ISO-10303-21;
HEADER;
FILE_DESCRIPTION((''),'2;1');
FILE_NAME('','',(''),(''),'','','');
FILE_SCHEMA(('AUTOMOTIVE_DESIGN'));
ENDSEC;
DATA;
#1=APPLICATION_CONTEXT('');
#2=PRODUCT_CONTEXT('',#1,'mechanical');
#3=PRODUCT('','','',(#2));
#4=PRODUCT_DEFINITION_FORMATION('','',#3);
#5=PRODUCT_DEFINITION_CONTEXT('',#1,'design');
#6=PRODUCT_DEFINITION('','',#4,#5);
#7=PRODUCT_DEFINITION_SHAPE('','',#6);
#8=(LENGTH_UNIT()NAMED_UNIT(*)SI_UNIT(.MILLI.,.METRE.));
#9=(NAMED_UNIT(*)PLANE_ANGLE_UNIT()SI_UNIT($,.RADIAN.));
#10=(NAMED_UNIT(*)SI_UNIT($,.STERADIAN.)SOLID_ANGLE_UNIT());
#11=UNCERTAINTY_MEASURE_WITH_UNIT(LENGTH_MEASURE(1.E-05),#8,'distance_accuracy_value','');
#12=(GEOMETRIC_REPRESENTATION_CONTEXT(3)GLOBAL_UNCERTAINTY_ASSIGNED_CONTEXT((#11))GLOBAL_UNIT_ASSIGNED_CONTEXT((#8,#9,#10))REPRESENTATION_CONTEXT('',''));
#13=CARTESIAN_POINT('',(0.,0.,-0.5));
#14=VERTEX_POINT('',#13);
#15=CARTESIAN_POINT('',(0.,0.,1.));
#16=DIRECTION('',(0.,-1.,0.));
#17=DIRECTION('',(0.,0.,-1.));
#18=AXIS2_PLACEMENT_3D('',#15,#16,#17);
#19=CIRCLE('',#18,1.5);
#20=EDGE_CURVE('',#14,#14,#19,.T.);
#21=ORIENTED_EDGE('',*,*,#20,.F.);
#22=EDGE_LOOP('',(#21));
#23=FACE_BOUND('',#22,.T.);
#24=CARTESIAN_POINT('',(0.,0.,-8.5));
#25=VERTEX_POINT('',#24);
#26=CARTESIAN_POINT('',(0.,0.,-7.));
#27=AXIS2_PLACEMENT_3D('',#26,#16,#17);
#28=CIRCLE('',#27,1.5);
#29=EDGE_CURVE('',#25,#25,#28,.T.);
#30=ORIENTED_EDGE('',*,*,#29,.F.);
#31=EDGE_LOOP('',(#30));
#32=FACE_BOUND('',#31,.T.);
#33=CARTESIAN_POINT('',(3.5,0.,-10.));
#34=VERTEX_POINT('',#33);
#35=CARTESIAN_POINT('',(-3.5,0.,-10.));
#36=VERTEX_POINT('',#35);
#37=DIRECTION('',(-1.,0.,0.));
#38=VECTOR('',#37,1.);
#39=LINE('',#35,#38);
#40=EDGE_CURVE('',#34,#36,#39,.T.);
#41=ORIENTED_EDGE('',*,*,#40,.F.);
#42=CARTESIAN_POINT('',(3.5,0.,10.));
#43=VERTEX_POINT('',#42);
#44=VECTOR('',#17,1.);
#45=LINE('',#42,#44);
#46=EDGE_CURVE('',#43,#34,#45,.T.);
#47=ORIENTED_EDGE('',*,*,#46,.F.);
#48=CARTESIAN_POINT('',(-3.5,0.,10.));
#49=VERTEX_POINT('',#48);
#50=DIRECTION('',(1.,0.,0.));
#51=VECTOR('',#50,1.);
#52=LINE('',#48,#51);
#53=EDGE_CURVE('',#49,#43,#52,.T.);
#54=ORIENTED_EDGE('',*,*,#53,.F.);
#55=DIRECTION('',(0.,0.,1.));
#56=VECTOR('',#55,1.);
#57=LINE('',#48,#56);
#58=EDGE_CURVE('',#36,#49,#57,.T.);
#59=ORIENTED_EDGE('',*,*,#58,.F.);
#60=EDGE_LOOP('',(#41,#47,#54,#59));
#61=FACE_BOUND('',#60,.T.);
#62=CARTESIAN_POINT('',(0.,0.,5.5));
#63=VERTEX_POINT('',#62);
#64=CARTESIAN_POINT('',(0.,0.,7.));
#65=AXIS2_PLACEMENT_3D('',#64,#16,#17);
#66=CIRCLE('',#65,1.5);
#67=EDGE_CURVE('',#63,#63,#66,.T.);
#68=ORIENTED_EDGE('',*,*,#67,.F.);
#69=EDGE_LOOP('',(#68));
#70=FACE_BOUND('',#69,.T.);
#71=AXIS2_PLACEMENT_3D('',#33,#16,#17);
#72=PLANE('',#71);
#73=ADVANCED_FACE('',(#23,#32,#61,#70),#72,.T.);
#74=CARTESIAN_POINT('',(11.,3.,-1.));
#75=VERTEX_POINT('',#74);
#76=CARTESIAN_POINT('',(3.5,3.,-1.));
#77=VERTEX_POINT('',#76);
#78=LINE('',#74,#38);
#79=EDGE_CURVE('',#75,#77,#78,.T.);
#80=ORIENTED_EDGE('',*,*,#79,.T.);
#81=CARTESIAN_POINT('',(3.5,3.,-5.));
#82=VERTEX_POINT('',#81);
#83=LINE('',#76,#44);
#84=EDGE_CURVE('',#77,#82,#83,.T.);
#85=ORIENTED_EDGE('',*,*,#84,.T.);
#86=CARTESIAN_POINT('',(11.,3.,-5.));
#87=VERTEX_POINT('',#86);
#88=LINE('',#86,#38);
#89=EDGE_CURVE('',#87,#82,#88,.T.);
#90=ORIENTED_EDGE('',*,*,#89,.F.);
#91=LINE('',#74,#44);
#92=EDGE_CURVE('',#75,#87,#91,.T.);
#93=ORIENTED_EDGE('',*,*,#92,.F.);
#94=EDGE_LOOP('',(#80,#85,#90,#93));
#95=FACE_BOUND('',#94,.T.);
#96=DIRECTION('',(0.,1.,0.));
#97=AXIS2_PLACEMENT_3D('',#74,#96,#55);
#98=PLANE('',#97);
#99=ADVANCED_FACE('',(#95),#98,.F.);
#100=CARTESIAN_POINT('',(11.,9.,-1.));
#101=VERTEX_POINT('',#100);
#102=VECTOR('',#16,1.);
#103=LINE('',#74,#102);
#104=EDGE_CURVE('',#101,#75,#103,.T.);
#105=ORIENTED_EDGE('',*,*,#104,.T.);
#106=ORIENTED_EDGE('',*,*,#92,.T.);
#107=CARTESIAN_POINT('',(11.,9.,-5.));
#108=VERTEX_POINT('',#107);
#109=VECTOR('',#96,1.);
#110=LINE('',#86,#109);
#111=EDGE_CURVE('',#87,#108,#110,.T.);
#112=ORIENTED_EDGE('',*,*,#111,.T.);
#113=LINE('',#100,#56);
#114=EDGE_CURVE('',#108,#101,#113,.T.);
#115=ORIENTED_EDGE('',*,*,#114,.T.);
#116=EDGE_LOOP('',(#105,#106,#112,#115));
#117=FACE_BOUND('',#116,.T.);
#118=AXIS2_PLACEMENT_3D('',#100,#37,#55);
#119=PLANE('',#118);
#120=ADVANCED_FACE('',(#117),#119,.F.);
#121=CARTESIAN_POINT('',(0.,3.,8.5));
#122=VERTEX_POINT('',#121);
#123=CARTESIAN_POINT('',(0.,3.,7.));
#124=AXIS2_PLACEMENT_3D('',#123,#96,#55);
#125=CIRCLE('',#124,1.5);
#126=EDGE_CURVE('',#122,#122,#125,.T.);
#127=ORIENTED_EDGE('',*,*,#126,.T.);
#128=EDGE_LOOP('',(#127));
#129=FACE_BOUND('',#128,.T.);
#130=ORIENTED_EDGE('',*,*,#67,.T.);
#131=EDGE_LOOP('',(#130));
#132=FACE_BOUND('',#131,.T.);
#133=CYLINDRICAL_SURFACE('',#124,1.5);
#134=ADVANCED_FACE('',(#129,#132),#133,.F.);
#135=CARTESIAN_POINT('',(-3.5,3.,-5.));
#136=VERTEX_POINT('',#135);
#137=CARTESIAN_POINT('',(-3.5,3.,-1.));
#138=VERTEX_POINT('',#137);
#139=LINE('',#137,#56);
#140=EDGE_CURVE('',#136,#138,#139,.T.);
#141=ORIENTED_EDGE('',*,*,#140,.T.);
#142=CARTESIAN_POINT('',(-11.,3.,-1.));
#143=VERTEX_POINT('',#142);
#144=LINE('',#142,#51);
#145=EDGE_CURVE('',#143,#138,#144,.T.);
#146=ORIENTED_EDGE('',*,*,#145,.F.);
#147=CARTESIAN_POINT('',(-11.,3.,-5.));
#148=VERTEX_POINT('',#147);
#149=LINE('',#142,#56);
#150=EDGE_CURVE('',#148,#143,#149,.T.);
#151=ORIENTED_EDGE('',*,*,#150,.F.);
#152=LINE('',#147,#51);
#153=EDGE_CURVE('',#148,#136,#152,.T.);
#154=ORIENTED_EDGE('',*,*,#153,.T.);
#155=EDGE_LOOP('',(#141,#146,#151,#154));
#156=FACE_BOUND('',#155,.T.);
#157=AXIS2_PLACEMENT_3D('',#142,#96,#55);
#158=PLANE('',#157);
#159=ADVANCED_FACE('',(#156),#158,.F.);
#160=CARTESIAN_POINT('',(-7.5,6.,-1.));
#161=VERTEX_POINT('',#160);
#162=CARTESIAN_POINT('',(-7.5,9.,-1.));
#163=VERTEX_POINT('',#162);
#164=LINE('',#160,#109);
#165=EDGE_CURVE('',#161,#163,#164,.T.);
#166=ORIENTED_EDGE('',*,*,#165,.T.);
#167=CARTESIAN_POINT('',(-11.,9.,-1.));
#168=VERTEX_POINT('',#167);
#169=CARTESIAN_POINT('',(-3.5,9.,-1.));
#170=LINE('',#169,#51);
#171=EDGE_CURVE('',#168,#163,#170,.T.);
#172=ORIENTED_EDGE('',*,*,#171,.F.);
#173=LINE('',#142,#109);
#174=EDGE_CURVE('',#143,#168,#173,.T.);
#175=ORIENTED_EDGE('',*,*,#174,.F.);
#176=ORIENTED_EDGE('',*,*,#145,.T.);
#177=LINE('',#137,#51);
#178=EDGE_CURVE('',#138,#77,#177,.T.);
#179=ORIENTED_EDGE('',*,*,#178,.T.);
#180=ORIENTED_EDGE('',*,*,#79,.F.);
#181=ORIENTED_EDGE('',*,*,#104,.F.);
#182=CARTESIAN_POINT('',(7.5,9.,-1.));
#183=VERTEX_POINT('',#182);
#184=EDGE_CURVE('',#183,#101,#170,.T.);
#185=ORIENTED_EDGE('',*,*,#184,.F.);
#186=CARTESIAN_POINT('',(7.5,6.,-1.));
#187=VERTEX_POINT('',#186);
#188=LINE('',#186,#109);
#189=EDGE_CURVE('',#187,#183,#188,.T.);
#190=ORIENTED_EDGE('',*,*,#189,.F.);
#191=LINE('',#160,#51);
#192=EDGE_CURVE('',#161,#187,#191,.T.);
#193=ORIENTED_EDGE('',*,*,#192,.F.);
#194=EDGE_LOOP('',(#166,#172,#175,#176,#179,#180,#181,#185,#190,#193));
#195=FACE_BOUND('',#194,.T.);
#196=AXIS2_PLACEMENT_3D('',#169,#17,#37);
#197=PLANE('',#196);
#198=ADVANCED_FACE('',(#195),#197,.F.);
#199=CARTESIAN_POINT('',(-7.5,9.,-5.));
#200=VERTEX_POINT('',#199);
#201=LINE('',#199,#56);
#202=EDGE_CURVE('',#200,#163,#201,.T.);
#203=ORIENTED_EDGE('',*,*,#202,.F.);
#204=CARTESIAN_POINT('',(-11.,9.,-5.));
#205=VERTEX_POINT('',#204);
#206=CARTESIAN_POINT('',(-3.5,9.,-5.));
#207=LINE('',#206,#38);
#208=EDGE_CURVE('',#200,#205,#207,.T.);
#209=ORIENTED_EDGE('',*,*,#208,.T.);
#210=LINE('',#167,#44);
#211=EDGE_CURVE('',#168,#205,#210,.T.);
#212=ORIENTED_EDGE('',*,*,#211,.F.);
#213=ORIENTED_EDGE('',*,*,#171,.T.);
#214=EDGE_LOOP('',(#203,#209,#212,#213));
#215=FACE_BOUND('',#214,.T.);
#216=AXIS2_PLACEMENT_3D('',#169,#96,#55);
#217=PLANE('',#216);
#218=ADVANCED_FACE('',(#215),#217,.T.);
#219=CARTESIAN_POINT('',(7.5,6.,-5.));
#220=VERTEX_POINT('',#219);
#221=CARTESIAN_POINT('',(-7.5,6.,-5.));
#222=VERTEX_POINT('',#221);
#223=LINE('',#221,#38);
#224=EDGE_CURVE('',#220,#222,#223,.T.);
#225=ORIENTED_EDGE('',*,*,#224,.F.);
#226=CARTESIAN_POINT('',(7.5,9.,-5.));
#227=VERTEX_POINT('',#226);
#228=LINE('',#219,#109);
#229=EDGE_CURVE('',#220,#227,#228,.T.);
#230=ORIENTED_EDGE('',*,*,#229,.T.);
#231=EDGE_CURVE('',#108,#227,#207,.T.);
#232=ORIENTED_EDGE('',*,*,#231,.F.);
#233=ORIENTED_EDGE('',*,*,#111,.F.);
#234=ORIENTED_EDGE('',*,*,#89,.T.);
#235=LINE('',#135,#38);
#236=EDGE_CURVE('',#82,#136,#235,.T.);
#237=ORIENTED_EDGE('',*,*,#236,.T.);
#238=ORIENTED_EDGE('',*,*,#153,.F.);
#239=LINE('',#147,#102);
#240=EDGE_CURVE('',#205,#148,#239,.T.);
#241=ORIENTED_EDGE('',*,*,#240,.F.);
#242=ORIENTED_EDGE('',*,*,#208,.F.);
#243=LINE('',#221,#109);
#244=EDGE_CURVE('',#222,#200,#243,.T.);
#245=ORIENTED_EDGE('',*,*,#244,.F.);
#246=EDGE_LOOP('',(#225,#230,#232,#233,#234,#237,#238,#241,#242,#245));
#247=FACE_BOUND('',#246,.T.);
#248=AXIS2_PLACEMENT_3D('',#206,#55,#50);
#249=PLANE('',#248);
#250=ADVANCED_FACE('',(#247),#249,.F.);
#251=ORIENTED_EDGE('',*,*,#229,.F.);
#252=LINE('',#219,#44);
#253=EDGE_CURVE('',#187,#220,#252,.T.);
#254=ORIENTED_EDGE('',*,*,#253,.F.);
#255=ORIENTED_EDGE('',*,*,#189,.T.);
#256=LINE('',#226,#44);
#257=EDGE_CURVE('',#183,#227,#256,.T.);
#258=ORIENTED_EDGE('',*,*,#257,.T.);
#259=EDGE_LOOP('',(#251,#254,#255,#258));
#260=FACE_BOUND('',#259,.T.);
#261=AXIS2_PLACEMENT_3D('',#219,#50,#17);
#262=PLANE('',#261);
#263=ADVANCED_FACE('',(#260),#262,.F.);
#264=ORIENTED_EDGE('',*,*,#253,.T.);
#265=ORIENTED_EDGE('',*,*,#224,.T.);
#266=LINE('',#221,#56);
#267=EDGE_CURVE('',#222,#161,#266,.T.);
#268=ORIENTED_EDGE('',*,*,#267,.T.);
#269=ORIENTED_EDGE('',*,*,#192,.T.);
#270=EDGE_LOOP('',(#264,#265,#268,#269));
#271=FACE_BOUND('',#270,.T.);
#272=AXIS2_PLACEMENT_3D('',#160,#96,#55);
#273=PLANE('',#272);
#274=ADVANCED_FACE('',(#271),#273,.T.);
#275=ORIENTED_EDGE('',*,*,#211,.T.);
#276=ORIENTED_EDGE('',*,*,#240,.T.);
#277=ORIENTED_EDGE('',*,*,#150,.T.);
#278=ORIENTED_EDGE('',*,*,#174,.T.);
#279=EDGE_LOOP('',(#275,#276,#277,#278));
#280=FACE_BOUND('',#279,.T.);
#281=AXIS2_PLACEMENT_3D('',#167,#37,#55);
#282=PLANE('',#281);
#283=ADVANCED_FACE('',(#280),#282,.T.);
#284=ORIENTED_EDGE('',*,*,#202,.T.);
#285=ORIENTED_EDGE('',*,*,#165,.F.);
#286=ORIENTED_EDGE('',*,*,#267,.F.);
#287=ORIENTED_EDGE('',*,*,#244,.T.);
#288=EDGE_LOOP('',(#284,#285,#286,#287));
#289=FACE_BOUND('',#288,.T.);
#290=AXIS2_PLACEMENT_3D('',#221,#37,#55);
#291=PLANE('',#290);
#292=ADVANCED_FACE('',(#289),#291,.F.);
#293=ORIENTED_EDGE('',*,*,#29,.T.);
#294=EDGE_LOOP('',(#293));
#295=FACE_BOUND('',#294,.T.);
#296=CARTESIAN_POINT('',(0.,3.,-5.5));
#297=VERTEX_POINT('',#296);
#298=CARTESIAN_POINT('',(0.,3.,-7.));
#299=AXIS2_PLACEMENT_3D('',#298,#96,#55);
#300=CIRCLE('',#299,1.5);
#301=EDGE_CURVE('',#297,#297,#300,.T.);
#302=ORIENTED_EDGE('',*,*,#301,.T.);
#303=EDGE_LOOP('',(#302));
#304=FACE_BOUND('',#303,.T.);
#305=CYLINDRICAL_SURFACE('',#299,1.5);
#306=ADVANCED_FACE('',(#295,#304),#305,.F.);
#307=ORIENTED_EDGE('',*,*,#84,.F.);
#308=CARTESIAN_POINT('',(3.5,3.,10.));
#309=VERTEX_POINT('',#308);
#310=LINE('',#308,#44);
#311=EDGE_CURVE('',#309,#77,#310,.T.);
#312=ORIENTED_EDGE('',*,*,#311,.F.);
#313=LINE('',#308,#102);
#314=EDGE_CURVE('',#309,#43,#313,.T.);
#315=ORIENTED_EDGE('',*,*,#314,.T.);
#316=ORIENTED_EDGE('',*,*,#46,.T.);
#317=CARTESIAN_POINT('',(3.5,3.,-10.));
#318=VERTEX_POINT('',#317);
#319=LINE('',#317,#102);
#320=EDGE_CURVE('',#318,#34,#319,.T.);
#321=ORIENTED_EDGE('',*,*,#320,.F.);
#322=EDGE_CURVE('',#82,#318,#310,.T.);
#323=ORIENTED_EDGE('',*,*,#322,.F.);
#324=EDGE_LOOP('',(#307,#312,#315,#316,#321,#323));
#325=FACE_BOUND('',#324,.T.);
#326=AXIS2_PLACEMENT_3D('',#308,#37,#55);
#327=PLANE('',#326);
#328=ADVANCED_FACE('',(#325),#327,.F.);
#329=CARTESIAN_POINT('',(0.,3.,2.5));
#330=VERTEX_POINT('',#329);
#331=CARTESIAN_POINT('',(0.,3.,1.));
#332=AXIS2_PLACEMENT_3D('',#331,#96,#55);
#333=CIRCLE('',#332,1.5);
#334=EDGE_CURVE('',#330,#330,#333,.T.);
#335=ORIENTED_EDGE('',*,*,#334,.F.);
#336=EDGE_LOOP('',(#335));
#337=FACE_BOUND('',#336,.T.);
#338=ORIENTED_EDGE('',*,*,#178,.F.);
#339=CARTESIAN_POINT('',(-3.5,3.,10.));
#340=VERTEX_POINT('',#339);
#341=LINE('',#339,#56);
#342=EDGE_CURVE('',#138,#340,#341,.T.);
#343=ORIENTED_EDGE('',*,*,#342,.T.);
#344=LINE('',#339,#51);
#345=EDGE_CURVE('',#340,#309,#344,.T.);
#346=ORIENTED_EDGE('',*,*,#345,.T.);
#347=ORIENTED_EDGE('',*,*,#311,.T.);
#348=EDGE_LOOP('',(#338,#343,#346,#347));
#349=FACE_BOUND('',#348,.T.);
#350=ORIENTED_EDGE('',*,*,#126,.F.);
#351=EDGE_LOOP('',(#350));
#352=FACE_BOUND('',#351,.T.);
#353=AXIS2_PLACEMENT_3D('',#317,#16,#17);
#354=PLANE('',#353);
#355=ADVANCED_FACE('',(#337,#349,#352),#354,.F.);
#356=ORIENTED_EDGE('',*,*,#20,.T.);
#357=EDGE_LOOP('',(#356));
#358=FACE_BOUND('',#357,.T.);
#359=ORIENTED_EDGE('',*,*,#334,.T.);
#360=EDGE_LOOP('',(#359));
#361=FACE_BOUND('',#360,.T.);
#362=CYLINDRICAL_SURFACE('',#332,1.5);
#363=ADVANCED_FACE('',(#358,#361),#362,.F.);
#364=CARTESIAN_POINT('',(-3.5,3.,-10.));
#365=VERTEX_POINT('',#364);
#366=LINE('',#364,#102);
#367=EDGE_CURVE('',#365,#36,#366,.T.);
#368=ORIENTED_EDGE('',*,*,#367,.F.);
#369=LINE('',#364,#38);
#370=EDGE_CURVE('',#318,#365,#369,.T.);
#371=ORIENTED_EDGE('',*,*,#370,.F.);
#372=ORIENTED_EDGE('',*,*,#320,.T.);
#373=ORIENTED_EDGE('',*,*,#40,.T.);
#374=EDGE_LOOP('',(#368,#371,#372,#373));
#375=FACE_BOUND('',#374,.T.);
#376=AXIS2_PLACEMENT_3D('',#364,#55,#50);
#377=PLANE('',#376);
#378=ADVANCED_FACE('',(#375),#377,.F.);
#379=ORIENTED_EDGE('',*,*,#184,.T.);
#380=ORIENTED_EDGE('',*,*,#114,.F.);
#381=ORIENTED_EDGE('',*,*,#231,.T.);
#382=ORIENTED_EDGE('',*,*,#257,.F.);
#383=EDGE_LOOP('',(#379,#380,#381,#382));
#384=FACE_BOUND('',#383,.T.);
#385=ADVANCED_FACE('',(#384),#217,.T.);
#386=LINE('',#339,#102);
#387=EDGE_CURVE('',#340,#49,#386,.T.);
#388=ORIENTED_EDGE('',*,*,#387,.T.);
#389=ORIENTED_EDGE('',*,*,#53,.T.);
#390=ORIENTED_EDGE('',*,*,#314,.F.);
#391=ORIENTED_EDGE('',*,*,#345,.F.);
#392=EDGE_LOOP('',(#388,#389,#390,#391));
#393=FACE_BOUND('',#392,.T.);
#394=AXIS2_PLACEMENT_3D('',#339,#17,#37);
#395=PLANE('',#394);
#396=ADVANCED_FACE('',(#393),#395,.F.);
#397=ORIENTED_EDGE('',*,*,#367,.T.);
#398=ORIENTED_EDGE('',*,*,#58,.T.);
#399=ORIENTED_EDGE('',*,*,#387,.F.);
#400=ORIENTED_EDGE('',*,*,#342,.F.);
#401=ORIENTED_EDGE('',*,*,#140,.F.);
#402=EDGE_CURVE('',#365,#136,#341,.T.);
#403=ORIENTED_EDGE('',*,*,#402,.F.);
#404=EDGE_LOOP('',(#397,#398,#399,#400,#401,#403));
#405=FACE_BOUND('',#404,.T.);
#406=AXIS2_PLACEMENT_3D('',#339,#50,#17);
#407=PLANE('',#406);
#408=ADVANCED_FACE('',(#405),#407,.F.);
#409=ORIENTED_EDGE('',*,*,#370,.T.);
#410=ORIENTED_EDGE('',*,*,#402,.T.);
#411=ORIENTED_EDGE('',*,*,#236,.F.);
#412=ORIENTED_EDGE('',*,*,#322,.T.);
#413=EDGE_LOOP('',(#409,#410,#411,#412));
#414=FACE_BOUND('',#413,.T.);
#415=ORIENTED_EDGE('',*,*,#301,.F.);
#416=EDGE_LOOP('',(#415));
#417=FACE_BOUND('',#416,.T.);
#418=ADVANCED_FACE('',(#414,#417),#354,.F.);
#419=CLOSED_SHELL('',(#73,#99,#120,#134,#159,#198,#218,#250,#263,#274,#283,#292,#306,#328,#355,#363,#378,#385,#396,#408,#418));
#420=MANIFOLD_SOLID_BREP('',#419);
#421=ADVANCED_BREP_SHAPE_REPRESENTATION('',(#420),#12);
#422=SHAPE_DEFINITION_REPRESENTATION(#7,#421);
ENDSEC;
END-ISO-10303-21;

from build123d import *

# Parameters (mm, degrees)
SKETCH2_W                    = 7
SKETCH2_H                    = 20
EXTRUDE2_DEPTH               = 3
F_3_0_3_DIAMETER_HOLE1_D     = 3
F_3_0_3_DIAMETER_HOLE1_DEPTH = 10
F_3_0_3_DIAMETER_HOLE1_TIP   = 0.901290929
SKETCH6_W                    = 7
SKETCH6_H                    = 4
EXTRUDE3_DEPTH               = 6
SKETCH7_W                    = 4
SKETCH7_H                    = 6
EXTRUDE4_DEPTH               = 7.5
SKETCH8_W                    = 4
SKETCH8_H                    = 6
EXTRUDE5_DEPTH               = 7.5
SKETCH10_W                   = 15
SKETCH10_H                   = 4
EXTRUDE6_DEPTH               = 3


with BuildPart() as part:
    # Sketch2 → Extrude2 (new body)
    with BuildSketch(Plane(origin=(0, 0, 0), x_dir=(1, 0, 0), z_dir=(0, 1, 0))):
        Rectangle(SKETCH2_W, SKETCH2_H)
    extrude(amount=EXTRUDE2_DEPTH)

    # Ø3.0 (3) Diameter Hole1
    with Locations(Plane(origin=(0, 3, 7), x_dir=(0, 0, 1), z_dir=(0, 1, 0))):
        with Locations((0, 0), (-6, 0), (-14, 0)):
            Hole(F_3_0_3_DIAMETER_HOLE1_D / 2, depth=F_3_0_3_DIAMETER_HOLE1_DEPTH)
            with Locations((0, 0, -(F_3_0_3_DIAMETER_HOLE1_DEPTH + F_3_0_3_DIAMETER_HOLE1_TIP / 2))):  # 118° drill point
                Cone(0, F_3_0_3_DIAMETER_HOLE1_D / 2, F_3_0_3_DIAMETER_HOLE1_TIP, mode=Mode.SUBTRACT)

    # Sketch6 → Extrude3 (add)
    with BuildSketch(Plane(origin=(0, 3, 0), x_dir=(1, 0, 0), z_dir=(0, 1, 0))):
        with Locations((0, 3)):
            Rectangle(SKETCH6_W, SKETCH6_H)
    extrude(amount=EXTRUDE3_DEPTH)

    # Sketch7 → Extrude4 (add)
    with BuildSketch(Plane(origin=(3.5, 0, 0), x_dir=(0, 0, -1), z_dir=(1, 0, 0))):
        with Locations((3, 6)):
            Rectangle(SKETCH7_W, SKETCH7_H)
    extrude(amount=EXTRUDE4_DEPTH)

    # Sketch8 → Extrude5 (add)
    with BuildSketch(Plane.ZY.offset(3.5)):
        with Locations((-3, 6)):
            Rectangle(SKETCH8_W, SKETCH8_H)
    extrude(amount=EXTRUDE5_DEPTH)

    # Sketch10 → Extrude6 (cut)
    with BuildSketch(Plane(origin=(0, 9, 0), x_dir=(-1, 0, 0), z_dir=(0, 1, 0))):
        with Locations((0, -3)):
            Rectangle(SKETCH10_W, SKETCH10_H)
    extrude(amount=-EXTRUDE6_DEPTH, mode=Mode.SUBTRACT)


solid = part.part
